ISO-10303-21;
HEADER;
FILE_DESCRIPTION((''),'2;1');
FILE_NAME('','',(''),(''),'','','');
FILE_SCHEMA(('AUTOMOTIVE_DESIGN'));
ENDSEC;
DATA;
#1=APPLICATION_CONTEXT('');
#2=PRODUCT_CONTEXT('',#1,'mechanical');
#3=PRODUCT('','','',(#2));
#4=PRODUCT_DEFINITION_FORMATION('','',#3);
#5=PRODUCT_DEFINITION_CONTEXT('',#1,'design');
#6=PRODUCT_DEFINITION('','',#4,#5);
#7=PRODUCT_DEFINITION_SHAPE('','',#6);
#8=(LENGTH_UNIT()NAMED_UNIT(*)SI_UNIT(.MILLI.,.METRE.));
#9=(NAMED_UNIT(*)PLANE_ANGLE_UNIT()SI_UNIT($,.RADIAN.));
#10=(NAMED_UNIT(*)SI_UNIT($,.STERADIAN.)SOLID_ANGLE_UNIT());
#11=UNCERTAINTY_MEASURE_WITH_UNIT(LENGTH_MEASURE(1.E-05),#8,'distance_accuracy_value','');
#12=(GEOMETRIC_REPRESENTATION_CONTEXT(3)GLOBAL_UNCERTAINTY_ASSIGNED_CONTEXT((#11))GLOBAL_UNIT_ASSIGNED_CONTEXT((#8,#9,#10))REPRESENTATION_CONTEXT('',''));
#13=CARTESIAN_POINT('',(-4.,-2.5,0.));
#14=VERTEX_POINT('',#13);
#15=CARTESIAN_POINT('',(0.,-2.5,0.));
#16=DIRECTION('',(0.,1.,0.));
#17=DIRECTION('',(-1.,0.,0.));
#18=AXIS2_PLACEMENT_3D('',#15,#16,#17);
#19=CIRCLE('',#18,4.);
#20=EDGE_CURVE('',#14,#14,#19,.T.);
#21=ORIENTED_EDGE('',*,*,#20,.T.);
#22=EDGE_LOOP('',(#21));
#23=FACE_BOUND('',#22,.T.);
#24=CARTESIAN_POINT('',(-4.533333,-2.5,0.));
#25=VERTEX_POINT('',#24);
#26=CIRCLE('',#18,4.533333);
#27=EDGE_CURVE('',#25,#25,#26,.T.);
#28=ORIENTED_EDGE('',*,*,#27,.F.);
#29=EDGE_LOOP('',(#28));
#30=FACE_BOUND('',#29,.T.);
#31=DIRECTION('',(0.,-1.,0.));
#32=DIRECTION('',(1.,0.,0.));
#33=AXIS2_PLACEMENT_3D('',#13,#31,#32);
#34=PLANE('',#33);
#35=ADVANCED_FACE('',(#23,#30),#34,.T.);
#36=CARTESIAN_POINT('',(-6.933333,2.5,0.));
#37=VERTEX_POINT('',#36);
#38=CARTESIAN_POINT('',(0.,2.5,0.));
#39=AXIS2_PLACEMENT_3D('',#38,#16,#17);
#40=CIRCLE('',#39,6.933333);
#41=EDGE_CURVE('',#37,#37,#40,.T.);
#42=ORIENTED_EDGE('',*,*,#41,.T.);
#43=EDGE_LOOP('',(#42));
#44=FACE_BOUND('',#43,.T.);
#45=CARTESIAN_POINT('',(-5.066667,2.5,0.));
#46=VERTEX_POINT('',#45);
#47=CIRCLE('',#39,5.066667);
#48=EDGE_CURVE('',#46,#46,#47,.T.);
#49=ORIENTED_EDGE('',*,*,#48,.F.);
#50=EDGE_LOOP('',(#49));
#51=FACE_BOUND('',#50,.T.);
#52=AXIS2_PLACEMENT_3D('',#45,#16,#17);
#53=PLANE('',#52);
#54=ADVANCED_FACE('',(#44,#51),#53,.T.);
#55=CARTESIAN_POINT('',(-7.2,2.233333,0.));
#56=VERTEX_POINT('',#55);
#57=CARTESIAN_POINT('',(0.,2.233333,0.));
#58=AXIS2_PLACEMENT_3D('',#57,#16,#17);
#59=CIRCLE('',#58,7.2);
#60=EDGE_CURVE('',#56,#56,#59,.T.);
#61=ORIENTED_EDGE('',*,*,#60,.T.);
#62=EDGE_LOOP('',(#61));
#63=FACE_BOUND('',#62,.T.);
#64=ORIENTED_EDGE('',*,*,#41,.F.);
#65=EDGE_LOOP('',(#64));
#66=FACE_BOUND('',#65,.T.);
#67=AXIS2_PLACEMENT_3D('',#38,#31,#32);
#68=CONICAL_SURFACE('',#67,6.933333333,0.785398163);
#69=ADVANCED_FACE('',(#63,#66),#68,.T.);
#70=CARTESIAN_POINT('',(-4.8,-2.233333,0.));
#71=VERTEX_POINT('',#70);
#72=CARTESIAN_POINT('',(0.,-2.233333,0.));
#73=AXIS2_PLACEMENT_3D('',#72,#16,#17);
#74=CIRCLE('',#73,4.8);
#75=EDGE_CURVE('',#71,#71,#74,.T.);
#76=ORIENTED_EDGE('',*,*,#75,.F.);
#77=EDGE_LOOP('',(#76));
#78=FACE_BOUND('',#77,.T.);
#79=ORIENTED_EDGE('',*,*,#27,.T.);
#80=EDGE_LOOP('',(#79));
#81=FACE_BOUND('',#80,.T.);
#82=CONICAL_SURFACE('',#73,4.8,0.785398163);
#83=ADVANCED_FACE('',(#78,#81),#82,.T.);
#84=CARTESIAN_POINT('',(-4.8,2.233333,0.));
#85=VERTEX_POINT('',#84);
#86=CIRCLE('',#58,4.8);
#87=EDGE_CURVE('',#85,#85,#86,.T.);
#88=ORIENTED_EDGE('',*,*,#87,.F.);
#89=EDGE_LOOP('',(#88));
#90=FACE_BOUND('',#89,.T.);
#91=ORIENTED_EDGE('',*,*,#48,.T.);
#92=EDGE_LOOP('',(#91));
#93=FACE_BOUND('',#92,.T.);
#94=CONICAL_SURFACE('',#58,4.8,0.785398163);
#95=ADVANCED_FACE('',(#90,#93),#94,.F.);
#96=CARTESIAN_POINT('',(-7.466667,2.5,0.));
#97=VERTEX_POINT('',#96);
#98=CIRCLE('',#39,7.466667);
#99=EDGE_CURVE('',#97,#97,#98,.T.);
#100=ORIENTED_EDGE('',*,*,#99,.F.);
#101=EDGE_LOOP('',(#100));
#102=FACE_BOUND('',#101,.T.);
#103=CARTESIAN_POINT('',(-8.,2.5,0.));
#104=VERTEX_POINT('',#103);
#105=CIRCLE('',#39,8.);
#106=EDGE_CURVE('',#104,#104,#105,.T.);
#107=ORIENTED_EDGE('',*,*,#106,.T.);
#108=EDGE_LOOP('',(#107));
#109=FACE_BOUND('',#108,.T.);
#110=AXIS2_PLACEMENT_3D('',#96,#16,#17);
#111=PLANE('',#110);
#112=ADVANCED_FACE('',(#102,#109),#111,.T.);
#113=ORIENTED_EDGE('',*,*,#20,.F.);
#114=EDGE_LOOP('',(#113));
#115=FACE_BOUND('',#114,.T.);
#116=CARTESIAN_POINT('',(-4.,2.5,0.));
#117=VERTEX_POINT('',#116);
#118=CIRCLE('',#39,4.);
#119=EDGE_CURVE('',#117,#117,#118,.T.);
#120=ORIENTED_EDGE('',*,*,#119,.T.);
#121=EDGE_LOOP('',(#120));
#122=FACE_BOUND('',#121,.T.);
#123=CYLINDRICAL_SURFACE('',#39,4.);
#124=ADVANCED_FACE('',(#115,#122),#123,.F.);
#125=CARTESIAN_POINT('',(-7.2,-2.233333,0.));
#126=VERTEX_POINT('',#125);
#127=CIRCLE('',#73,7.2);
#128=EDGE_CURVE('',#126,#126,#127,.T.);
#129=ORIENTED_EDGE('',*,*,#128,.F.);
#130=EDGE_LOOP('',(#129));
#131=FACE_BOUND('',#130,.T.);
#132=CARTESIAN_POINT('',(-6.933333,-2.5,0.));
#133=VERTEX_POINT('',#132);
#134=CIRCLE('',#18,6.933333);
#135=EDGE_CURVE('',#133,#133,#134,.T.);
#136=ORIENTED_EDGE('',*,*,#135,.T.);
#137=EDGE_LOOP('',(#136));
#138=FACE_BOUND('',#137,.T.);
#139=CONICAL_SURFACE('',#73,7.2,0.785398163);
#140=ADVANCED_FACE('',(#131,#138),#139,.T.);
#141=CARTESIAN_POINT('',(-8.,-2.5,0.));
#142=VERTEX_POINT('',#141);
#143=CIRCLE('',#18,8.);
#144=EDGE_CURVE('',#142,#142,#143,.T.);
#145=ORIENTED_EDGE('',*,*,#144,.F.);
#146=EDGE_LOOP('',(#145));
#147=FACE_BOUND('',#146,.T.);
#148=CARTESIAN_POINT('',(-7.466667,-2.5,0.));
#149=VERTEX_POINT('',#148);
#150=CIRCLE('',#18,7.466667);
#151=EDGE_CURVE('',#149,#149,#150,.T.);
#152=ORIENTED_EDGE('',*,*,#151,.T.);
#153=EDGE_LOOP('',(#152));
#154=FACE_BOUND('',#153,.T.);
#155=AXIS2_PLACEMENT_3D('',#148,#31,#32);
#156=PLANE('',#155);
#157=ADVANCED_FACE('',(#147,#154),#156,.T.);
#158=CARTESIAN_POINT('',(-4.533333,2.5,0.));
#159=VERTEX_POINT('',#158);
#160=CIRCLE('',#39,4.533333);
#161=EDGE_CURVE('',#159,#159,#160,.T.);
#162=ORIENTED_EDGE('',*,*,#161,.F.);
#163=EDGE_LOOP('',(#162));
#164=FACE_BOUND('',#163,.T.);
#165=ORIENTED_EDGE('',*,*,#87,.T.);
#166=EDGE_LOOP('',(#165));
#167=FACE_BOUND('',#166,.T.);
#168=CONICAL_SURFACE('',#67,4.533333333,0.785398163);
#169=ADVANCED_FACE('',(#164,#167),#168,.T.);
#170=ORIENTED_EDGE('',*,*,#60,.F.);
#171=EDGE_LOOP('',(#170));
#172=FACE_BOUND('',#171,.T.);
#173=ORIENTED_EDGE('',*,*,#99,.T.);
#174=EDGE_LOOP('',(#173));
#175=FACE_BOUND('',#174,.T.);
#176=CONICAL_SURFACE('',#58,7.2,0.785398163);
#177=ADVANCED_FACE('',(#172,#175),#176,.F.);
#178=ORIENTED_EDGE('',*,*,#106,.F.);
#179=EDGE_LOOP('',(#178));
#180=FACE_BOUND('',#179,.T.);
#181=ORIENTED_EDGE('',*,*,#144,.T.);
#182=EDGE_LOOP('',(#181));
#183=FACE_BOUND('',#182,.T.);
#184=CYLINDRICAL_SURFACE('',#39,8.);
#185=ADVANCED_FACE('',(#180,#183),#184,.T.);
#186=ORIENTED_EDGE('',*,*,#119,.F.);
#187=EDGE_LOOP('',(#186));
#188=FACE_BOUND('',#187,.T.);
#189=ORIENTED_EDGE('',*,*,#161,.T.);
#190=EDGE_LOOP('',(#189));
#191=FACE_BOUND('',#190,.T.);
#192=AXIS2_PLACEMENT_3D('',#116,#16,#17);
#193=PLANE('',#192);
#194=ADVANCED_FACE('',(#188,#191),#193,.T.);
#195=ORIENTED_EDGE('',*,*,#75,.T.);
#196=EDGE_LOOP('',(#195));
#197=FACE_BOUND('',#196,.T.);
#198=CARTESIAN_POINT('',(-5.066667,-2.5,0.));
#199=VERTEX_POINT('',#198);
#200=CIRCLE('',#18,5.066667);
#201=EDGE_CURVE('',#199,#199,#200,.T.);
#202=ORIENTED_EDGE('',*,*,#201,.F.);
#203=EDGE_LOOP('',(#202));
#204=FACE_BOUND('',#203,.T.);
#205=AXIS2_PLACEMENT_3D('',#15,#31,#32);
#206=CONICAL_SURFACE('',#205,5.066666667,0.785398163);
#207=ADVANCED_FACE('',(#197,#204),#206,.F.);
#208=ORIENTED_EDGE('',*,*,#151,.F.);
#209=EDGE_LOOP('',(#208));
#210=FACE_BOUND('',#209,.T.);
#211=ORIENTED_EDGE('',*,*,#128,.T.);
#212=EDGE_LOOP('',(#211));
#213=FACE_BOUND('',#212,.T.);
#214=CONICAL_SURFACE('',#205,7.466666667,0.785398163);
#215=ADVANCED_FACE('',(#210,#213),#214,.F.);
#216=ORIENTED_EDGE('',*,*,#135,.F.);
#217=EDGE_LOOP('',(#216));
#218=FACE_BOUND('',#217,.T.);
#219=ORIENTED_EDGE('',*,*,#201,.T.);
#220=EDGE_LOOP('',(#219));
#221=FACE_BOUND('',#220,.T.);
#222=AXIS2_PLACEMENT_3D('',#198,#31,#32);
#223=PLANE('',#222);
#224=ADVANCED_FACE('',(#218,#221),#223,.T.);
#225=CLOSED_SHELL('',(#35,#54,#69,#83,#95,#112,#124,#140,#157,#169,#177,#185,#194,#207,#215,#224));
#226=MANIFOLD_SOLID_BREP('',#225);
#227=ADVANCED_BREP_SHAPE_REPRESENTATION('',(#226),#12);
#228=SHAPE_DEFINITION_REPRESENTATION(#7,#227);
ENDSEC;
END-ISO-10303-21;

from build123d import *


with BuildPart() as part:
    # Sketch1 → Revolve1 (revolve)
    with BuildSketch(Plane.XY):
        Polygon((-4, 2.5), (-4.533333333, 2.5), (-4.8, 2.233333333), (-5.066666667, 2.5), (-6.933333333, 2.5), (-7.2, 2.233333333), (-7.466666667, 2.5), (-8, 2.5), (-8, -2.5), (-7.466666667, -2.5), (-7.2, -2.233333333), (-6.933333333, -2.5), (-5.066666667, -2.5), (-4.8, -2.233333333), (-4.533333333, -2.5), (-4, -2.5), align=None)
    revolve(axis=Axis((0, 2.5, 0), (0, -1, 0)))


solid = part.part
